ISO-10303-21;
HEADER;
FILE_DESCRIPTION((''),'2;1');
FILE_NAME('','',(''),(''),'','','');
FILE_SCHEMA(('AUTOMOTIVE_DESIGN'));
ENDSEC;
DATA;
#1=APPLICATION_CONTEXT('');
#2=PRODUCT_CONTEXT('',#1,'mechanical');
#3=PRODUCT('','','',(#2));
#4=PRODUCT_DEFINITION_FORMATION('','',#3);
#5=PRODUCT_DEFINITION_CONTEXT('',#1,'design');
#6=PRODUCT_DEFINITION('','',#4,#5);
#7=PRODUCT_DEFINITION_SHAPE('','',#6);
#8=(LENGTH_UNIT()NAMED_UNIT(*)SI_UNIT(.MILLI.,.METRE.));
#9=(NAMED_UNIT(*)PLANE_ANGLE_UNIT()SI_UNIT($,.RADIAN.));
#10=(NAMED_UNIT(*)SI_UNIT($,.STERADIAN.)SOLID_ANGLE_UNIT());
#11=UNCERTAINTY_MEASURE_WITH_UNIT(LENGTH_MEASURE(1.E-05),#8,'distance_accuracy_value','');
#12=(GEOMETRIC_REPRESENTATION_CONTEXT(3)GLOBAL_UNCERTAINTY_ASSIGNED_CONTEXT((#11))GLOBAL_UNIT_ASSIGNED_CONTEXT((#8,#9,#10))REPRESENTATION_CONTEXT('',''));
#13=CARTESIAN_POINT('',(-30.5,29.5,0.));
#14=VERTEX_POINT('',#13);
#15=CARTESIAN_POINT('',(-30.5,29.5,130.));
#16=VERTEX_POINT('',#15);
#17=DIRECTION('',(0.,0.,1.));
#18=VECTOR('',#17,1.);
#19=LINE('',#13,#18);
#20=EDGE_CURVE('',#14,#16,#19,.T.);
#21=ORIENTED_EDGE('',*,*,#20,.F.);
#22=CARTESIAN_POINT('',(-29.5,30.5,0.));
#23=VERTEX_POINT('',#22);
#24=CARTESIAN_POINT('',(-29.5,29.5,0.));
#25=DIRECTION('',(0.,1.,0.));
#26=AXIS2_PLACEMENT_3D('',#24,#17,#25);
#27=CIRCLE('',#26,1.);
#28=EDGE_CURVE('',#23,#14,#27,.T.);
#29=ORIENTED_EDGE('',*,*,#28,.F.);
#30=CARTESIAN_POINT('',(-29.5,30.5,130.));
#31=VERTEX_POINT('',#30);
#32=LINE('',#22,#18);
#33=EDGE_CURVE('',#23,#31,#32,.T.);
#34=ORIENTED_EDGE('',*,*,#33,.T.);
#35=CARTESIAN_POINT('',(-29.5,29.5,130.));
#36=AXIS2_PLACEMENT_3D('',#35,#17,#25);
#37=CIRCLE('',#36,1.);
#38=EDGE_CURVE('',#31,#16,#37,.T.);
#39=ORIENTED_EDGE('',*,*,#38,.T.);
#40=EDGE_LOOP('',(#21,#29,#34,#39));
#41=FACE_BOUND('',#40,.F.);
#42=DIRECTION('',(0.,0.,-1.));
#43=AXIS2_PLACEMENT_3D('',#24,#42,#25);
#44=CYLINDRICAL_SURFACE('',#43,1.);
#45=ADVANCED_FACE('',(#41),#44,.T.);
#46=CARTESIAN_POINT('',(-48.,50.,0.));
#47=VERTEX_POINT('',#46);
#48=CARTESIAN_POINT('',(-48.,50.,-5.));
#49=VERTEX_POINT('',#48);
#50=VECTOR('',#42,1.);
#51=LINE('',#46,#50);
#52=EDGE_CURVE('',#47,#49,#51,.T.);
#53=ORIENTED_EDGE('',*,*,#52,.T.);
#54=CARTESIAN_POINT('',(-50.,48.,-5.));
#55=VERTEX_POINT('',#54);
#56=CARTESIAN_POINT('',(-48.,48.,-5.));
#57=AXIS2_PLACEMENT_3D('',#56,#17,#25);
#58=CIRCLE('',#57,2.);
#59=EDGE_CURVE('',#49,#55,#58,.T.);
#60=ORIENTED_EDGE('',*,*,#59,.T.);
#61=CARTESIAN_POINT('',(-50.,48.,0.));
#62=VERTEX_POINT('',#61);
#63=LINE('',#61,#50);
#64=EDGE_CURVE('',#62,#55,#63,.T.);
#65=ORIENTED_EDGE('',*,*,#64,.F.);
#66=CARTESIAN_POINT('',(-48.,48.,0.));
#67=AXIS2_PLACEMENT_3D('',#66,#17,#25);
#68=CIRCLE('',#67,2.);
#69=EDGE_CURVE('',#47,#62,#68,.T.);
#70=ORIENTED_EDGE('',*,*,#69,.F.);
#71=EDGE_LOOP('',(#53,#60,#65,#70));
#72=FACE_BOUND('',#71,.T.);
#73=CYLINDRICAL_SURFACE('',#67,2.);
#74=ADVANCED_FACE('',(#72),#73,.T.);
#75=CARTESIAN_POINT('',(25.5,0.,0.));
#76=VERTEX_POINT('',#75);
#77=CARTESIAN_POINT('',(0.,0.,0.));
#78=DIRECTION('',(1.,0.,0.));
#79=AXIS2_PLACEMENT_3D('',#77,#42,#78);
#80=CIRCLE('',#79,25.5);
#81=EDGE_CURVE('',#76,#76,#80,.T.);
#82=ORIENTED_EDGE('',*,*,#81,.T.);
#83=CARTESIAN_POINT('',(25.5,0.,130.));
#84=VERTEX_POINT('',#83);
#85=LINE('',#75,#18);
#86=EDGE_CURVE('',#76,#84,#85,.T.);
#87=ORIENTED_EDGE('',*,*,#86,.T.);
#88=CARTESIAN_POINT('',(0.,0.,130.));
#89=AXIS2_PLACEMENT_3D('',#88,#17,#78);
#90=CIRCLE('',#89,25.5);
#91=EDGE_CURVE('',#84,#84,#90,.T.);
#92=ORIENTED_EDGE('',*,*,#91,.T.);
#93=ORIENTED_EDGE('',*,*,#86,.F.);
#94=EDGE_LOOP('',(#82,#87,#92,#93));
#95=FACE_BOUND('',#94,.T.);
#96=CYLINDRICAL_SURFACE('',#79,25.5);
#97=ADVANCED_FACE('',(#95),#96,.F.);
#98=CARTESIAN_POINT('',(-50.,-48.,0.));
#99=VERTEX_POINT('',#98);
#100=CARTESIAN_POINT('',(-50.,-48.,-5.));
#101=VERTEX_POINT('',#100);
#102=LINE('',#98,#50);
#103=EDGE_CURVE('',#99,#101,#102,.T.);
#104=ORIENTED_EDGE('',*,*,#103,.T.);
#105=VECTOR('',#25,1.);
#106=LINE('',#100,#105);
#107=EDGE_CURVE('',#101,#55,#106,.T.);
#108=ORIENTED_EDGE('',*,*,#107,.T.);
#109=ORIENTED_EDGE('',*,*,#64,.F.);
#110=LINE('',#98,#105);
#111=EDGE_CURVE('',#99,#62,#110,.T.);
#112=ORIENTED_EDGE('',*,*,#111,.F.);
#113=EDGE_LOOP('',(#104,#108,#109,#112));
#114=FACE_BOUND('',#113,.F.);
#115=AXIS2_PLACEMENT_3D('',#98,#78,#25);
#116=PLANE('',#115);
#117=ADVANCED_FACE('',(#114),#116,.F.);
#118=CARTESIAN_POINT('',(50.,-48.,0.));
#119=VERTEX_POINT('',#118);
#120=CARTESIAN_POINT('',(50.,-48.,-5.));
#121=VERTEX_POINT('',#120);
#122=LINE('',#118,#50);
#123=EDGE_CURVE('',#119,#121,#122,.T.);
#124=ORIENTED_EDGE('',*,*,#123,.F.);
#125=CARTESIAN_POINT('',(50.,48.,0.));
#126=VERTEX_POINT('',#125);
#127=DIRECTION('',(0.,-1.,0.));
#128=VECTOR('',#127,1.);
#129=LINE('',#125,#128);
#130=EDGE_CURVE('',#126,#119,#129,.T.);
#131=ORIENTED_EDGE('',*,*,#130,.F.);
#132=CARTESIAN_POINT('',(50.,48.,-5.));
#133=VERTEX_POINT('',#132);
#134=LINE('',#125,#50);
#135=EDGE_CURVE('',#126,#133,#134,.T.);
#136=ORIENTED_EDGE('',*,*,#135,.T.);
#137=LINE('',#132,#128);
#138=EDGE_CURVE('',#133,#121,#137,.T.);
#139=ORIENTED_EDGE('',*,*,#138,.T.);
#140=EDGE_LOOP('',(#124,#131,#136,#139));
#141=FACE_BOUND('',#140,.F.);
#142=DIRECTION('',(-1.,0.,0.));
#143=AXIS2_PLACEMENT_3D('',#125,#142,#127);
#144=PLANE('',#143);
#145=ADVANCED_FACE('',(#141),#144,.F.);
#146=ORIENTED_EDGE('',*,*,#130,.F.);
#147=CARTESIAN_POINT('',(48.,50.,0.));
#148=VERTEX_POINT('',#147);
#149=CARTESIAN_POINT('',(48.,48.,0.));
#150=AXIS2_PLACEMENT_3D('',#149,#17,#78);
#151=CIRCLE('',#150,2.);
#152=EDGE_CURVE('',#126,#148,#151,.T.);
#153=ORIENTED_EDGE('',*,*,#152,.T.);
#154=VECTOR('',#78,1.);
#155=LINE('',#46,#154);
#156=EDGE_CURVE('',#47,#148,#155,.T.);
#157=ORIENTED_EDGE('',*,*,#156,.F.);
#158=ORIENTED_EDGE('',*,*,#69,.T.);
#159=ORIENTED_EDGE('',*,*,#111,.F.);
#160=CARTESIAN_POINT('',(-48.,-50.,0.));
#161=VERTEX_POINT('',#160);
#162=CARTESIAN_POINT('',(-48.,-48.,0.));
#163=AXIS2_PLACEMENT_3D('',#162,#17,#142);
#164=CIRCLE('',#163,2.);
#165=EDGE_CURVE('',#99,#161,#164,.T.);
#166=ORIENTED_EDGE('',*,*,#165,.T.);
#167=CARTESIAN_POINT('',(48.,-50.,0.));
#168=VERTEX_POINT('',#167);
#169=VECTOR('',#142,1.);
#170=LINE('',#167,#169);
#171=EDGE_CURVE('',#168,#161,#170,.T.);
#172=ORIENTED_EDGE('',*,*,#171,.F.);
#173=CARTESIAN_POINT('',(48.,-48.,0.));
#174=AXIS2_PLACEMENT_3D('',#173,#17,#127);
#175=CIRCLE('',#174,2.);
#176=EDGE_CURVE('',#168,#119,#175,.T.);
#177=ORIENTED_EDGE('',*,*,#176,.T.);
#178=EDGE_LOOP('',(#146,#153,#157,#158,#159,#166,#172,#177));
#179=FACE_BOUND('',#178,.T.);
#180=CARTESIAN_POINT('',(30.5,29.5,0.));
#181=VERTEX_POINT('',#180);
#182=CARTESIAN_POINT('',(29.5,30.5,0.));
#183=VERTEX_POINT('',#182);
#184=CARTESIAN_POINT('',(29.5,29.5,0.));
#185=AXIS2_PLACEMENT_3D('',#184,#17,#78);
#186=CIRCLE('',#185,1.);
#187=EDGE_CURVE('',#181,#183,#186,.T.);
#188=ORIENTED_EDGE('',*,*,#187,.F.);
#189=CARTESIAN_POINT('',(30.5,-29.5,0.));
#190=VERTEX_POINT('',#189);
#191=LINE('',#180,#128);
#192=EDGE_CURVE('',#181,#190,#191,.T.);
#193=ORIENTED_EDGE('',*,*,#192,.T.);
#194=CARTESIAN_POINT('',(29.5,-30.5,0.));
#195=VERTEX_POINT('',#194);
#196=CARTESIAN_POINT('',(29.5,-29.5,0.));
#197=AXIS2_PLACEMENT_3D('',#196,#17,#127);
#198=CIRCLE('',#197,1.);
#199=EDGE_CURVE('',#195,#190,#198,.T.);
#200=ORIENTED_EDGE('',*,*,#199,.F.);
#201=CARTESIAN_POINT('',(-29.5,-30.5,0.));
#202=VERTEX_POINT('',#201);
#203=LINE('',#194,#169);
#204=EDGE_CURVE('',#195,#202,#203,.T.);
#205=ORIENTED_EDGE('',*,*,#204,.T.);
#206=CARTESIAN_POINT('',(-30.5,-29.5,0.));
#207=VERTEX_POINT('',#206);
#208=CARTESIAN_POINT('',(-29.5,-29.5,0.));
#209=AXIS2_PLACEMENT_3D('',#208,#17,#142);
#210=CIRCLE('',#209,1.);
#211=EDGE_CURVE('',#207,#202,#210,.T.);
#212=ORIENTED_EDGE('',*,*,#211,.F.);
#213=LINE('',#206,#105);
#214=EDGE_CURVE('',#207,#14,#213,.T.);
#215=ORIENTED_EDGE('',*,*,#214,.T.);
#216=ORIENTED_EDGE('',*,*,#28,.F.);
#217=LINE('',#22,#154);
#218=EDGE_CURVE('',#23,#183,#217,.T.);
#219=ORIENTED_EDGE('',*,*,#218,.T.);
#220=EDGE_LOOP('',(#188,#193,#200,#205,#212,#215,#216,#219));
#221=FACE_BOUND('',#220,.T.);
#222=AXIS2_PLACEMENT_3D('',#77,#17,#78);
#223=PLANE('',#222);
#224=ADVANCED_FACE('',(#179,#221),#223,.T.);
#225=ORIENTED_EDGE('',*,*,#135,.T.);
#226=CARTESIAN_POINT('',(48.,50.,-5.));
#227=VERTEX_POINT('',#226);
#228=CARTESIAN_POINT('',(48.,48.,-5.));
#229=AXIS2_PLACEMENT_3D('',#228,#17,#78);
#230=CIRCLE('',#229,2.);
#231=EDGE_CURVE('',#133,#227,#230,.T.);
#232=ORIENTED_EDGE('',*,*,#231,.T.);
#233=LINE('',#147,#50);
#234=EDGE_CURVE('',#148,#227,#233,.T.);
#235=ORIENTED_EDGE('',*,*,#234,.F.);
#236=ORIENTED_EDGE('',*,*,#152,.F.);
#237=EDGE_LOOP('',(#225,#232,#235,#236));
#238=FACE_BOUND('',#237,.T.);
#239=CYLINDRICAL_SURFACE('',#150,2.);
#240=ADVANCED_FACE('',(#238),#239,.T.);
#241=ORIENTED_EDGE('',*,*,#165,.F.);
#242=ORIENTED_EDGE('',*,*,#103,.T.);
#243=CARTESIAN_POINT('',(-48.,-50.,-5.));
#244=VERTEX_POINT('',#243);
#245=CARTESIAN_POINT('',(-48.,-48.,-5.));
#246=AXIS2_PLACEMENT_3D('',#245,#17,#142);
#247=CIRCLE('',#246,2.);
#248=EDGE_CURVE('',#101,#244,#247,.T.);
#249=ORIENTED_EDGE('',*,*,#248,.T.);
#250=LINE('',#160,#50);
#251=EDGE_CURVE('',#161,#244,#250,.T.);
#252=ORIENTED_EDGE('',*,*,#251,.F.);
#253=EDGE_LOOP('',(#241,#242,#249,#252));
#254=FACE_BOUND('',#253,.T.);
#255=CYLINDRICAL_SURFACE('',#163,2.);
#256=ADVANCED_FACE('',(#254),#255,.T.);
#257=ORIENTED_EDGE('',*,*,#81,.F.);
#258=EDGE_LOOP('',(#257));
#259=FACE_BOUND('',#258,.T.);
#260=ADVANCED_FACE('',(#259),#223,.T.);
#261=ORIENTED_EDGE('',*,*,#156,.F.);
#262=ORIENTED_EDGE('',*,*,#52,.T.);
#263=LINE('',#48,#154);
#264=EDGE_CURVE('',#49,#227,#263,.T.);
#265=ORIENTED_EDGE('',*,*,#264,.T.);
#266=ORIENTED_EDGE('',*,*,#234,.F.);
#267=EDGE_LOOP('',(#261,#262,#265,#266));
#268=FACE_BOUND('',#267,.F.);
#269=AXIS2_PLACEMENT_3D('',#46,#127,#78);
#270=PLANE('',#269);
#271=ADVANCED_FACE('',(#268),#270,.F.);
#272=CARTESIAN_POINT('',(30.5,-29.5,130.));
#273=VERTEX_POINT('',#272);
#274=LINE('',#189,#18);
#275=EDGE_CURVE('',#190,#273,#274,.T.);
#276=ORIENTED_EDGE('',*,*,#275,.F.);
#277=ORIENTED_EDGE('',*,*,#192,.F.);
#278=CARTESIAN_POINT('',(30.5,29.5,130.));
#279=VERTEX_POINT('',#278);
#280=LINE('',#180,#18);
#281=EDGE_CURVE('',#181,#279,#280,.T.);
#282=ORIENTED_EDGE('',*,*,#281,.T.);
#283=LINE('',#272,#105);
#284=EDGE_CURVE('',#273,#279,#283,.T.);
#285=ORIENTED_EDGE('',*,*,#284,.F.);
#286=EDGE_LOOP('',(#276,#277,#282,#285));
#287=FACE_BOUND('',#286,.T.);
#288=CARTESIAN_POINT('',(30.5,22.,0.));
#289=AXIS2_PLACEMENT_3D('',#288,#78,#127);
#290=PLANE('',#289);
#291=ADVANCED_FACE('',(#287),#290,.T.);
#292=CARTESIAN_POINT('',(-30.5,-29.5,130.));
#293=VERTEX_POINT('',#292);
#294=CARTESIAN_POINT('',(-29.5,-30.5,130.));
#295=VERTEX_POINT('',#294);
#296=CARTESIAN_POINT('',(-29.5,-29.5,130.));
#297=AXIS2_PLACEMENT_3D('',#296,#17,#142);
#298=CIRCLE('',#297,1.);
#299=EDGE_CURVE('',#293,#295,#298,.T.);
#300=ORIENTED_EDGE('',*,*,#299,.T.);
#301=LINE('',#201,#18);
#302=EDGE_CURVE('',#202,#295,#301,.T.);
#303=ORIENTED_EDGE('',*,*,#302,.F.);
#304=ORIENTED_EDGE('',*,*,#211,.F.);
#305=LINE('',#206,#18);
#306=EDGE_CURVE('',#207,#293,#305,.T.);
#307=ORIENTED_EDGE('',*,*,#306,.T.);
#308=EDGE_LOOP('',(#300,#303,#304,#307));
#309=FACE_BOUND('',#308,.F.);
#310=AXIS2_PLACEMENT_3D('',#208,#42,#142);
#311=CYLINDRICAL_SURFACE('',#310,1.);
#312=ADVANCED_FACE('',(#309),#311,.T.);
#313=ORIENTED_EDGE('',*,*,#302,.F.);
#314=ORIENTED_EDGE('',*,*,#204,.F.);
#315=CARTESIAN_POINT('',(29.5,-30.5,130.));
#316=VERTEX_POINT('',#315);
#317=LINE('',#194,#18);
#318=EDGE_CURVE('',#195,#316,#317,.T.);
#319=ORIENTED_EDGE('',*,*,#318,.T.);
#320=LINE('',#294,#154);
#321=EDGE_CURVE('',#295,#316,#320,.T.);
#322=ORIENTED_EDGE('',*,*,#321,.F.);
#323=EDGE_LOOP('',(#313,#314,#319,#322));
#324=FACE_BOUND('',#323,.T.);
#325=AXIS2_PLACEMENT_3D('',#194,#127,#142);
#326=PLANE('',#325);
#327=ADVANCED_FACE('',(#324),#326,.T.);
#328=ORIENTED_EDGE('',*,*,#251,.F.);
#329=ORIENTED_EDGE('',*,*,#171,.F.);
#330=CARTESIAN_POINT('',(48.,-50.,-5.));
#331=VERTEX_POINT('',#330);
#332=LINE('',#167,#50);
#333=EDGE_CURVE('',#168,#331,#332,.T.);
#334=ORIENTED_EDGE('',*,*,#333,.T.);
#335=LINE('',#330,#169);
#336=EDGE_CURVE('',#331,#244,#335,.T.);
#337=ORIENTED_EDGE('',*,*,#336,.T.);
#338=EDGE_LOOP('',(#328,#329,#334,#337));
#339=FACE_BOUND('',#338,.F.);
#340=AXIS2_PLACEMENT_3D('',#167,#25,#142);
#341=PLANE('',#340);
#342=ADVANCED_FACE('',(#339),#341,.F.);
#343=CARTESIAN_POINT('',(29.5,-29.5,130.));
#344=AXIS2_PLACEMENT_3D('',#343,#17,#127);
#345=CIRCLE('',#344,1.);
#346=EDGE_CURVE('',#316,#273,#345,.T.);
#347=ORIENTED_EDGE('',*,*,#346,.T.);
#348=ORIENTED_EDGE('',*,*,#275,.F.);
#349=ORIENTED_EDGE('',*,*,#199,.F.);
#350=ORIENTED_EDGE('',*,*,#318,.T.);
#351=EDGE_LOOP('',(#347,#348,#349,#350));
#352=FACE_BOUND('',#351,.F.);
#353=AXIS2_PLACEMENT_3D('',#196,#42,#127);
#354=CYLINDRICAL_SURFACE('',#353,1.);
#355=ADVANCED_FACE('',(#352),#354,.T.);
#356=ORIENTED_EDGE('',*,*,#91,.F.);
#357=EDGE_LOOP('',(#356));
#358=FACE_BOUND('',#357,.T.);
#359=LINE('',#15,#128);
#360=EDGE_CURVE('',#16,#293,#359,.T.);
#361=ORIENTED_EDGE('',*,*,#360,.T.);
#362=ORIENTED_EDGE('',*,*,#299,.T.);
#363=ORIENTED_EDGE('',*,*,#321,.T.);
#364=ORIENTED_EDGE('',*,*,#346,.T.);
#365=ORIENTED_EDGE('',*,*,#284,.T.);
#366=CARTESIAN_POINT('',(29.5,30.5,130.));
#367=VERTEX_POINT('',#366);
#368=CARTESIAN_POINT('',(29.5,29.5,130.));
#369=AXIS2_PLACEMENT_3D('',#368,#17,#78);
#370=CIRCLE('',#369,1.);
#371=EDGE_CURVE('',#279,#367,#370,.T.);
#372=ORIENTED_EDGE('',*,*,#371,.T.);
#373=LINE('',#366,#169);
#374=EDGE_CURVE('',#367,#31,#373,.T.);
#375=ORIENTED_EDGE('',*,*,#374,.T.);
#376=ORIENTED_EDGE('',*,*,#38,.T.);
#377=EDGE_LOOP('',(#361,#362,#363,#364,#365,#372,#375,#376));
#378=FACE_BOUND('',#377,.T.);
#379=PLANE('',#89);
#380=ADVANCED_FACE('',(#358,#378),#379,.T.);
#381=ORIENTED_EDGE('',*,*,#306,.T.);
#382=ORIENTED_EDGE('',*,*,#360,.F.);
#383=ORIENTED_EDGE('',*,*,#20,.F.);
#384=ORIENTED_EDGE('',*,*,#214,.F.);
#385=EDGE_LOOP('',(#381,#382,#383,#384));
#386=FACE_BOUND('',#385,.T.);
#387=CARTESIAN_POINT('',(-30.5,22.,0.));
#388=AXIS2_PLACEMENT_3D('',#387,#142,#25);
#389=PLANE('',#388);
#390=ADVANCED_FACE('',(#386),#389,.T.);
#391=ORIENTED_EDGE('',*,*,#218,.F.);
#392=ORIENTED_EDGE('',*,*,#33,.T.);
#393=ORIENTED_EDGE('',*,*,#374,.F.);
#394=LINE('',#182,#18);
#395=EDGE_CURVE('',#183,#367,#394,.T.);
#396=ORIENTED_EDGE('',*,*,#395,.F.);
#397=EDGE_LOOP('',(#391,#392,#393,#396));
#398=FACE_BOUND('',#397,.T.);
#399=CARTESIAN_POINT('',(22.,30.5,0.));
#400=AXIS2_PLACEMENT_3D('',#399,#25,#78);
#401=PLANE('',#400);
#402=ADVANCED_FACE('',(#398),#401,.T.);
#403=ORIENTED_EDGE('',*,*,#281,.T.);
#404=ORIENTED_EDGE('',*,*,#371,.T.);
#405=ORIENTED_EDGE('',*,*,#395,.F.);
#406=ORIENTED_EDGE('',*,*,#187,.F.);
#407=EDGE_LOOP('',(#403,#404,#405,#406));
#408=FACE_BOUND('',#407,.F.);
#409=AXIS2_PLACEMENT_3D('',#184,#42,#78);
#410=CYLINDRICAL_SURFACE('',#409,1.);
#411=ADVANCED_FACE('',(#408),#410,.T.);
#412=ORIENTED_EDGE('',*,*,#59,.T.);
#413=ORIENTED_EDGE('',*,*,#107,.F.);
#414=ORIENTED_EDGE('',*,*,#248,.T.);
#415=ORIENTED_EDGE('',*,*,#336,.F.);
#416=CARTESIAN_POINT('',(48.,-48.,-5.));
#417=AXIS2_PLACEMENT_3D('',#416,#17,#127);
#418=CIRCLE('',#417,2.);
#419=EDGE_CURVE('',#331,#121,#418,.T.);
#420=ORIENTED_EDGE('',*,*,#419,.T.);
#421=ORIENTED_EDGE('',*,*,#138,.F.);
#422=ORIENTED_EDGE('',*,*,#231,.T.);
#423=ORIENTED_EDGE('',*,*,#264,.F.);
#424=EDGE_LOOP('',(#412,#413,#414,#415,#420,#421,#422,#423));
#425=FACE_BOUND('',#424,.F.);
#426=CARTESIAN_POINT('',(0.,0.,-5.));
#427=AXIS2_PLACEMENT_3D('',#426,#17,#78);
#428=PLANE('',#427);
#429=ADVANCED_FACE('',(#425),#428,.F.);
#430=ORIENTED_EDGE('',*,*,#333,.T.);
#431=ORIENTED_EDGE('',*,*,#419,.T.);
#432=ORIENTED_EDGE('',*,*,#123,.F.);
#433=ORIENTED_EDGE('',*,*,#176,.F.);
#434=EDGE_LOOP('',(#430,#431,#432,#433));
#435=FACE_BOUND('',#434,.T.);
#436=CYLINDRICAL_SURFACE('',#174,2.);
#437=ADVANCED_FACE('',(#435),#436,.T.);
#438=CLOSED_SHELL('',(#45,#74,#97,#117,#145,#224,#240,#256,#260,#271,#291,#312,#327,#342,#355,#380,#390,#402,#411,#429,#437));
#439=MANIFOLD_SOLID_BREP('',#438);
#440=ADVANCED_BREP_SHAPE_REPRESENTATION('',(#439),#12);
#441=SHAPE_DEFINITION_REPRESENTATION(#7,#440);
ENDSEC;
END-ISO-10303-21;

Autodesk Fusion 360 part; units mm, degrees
sketch "Sketch1" plane through (0, 0, 0) normal (0, 0, 1) x (1, 0, 0)
  circle A0 centre (0, 0) radius 25.5
  line L0 (29.5, -30.5) -> (-29.5, -30.5)
  line L1 (-30.5, -29.5) -> (-30.5, 29.5)
  line L2 (-29.5, 30.5) -> (29.5, 30.5)
  line L3 (30.5, 29.5) -> (30.5, -29.5)
  line L4 (30.5, -30.5) -> (-30.5, 30.5) construction
  line L5 (-30.5, -30.5) -> (30.5, 30.5) construction
  arc A1 (-29.5, 30.5) -> (-30.5, 29.5) centre (-29.5, 29.5) ccw
  arc A2 (30.5, 29.5) -> (29.5, 30.5) centre (29.5, 29.5) ccw
  arc A3 (29.5, -30.5) -> (30.5, -29.5) centre (29.5, -29.5) ccw
  arc A4 (-30.5, -29.5) -> (-29.5, -30.5) centre (-29.5, -29.5) ccw
  line L6 (48, -50) -> (-48, -50)
  line L7 (-50, -48) -> (-50, 48)
  line L8 (-48, 50) -> (48, 50)
  line L9 (50, 48) -> (50, -48)
  line L10 (50, -50) -> (-50, 50) construction
  line L11 (-50, -50) -> (50, 50) construction
  arc A5 (-48, 50) -> (-50, 48) centre (-48, 48) ccw
  arc A6 (50, 48) -> (48, 50) centre (48, 48) ccw
  arc A7 (48, -50) -> (50, -48) centre (48, -48) ccw
  arc A8 (-50, -48) -> (-48, -50) centre (-48, -48) ccw
  line L12 (0, -30.5) -> (22, -30.5)
  line L13 (22, -30.5) -> (22, 30.5)
  line L14 (22, 30.5) -> (0, 30.5)
  line L15 (0, 30.5) -> (0, -30.5)
  line L16 (-22, -30.5) -> (-22, 30.5)
  line L17 (-30.5, 0) -> (-30.5, 22)
  line L18 (-30.5, 22) -> (30.5, 22)
  line L19 (-30.5, 22) -> (30.5, 22)
  line L20 (30.5, 22) -> (30.5, -22)
  line L21 (30.5, -22) -> (-30.5, -22)
  line L22 (-30.5, -22) -> (-30.5, 22)
  dimension "d1" = 51
  dimension "d2" = 61
  dimension "d3" = 61
  dimension "d4" = 1
  dimension "d5" = 1
  dimension "d6" = 1
  dimension "d7" = 1
  dimension "d8" = 100
  dimension "d9" = 100
  dimension "d14" = 2
  dimension "d15" = 2
  dimension "d16" = 2
  dimension "d17" = 2
  dimension "d18" = 22
  dimension "d19" = 22
  dimension "d20" = 61
  dimension "d21" = 44
extrude "Extrude1" add sketch "Sketch1" along normal blind 130 contours A0 L3 L13 L18 L19 L20 L21 | A0 L13 L18 L19 | A0 L13 L21 | A0 L2 L13 L14 L15 L18 L19 | L2 L3 A2 L13 L18 L19 | A0 L0 L12 L13 L15 L21 | L0 L3 A3 L13 L21 | A0 L2 L15 L16 L18 L19 | A0 L0 L15 L16 L21 | A0 L16 L18 L19 | A0 L16 L21 | A0 L1 L16 L17 L18 L19 L21 L22 | L1 L2 A1 L16 L18 L19 | L0 L1 A4 L16 L21
extrude "Extrude2" add sketch "Sketch1" against normal blind 5 contours A0 L13 | A0 L3 L13 L18 L19 L20 L21 | A0 L13 L15 L18 L19 L21 | A0 L13 L18 L19 | A0 L13 L21 | A0 L15 L18 L19 | A0 L2 L13 L14 L15 L18 L19 | L2 L3 A2 L13 L18 L19 | A0 L0 L12 L13 L15 L21 | A0 L15 L21 | L0 L3 A3 L13 L21 | A0 L15 L18 L19 | A0 L2 L15 L16 L18 L19 | A0 L15 L16 L18 L19 L21 | A0 L0 L15 L16 L21 | A0 L15 L21 | A0 L16 L18 L19 | A0 L16 L21 | A0 L16 | A0 L1 L16 L17 L18 L19 L21 L22 | L1 L2 A1 L16 L18 L19 | L0 L1 A4 L16 L21 | L6 L7 L8 L9 A5 A6 A7 A8
